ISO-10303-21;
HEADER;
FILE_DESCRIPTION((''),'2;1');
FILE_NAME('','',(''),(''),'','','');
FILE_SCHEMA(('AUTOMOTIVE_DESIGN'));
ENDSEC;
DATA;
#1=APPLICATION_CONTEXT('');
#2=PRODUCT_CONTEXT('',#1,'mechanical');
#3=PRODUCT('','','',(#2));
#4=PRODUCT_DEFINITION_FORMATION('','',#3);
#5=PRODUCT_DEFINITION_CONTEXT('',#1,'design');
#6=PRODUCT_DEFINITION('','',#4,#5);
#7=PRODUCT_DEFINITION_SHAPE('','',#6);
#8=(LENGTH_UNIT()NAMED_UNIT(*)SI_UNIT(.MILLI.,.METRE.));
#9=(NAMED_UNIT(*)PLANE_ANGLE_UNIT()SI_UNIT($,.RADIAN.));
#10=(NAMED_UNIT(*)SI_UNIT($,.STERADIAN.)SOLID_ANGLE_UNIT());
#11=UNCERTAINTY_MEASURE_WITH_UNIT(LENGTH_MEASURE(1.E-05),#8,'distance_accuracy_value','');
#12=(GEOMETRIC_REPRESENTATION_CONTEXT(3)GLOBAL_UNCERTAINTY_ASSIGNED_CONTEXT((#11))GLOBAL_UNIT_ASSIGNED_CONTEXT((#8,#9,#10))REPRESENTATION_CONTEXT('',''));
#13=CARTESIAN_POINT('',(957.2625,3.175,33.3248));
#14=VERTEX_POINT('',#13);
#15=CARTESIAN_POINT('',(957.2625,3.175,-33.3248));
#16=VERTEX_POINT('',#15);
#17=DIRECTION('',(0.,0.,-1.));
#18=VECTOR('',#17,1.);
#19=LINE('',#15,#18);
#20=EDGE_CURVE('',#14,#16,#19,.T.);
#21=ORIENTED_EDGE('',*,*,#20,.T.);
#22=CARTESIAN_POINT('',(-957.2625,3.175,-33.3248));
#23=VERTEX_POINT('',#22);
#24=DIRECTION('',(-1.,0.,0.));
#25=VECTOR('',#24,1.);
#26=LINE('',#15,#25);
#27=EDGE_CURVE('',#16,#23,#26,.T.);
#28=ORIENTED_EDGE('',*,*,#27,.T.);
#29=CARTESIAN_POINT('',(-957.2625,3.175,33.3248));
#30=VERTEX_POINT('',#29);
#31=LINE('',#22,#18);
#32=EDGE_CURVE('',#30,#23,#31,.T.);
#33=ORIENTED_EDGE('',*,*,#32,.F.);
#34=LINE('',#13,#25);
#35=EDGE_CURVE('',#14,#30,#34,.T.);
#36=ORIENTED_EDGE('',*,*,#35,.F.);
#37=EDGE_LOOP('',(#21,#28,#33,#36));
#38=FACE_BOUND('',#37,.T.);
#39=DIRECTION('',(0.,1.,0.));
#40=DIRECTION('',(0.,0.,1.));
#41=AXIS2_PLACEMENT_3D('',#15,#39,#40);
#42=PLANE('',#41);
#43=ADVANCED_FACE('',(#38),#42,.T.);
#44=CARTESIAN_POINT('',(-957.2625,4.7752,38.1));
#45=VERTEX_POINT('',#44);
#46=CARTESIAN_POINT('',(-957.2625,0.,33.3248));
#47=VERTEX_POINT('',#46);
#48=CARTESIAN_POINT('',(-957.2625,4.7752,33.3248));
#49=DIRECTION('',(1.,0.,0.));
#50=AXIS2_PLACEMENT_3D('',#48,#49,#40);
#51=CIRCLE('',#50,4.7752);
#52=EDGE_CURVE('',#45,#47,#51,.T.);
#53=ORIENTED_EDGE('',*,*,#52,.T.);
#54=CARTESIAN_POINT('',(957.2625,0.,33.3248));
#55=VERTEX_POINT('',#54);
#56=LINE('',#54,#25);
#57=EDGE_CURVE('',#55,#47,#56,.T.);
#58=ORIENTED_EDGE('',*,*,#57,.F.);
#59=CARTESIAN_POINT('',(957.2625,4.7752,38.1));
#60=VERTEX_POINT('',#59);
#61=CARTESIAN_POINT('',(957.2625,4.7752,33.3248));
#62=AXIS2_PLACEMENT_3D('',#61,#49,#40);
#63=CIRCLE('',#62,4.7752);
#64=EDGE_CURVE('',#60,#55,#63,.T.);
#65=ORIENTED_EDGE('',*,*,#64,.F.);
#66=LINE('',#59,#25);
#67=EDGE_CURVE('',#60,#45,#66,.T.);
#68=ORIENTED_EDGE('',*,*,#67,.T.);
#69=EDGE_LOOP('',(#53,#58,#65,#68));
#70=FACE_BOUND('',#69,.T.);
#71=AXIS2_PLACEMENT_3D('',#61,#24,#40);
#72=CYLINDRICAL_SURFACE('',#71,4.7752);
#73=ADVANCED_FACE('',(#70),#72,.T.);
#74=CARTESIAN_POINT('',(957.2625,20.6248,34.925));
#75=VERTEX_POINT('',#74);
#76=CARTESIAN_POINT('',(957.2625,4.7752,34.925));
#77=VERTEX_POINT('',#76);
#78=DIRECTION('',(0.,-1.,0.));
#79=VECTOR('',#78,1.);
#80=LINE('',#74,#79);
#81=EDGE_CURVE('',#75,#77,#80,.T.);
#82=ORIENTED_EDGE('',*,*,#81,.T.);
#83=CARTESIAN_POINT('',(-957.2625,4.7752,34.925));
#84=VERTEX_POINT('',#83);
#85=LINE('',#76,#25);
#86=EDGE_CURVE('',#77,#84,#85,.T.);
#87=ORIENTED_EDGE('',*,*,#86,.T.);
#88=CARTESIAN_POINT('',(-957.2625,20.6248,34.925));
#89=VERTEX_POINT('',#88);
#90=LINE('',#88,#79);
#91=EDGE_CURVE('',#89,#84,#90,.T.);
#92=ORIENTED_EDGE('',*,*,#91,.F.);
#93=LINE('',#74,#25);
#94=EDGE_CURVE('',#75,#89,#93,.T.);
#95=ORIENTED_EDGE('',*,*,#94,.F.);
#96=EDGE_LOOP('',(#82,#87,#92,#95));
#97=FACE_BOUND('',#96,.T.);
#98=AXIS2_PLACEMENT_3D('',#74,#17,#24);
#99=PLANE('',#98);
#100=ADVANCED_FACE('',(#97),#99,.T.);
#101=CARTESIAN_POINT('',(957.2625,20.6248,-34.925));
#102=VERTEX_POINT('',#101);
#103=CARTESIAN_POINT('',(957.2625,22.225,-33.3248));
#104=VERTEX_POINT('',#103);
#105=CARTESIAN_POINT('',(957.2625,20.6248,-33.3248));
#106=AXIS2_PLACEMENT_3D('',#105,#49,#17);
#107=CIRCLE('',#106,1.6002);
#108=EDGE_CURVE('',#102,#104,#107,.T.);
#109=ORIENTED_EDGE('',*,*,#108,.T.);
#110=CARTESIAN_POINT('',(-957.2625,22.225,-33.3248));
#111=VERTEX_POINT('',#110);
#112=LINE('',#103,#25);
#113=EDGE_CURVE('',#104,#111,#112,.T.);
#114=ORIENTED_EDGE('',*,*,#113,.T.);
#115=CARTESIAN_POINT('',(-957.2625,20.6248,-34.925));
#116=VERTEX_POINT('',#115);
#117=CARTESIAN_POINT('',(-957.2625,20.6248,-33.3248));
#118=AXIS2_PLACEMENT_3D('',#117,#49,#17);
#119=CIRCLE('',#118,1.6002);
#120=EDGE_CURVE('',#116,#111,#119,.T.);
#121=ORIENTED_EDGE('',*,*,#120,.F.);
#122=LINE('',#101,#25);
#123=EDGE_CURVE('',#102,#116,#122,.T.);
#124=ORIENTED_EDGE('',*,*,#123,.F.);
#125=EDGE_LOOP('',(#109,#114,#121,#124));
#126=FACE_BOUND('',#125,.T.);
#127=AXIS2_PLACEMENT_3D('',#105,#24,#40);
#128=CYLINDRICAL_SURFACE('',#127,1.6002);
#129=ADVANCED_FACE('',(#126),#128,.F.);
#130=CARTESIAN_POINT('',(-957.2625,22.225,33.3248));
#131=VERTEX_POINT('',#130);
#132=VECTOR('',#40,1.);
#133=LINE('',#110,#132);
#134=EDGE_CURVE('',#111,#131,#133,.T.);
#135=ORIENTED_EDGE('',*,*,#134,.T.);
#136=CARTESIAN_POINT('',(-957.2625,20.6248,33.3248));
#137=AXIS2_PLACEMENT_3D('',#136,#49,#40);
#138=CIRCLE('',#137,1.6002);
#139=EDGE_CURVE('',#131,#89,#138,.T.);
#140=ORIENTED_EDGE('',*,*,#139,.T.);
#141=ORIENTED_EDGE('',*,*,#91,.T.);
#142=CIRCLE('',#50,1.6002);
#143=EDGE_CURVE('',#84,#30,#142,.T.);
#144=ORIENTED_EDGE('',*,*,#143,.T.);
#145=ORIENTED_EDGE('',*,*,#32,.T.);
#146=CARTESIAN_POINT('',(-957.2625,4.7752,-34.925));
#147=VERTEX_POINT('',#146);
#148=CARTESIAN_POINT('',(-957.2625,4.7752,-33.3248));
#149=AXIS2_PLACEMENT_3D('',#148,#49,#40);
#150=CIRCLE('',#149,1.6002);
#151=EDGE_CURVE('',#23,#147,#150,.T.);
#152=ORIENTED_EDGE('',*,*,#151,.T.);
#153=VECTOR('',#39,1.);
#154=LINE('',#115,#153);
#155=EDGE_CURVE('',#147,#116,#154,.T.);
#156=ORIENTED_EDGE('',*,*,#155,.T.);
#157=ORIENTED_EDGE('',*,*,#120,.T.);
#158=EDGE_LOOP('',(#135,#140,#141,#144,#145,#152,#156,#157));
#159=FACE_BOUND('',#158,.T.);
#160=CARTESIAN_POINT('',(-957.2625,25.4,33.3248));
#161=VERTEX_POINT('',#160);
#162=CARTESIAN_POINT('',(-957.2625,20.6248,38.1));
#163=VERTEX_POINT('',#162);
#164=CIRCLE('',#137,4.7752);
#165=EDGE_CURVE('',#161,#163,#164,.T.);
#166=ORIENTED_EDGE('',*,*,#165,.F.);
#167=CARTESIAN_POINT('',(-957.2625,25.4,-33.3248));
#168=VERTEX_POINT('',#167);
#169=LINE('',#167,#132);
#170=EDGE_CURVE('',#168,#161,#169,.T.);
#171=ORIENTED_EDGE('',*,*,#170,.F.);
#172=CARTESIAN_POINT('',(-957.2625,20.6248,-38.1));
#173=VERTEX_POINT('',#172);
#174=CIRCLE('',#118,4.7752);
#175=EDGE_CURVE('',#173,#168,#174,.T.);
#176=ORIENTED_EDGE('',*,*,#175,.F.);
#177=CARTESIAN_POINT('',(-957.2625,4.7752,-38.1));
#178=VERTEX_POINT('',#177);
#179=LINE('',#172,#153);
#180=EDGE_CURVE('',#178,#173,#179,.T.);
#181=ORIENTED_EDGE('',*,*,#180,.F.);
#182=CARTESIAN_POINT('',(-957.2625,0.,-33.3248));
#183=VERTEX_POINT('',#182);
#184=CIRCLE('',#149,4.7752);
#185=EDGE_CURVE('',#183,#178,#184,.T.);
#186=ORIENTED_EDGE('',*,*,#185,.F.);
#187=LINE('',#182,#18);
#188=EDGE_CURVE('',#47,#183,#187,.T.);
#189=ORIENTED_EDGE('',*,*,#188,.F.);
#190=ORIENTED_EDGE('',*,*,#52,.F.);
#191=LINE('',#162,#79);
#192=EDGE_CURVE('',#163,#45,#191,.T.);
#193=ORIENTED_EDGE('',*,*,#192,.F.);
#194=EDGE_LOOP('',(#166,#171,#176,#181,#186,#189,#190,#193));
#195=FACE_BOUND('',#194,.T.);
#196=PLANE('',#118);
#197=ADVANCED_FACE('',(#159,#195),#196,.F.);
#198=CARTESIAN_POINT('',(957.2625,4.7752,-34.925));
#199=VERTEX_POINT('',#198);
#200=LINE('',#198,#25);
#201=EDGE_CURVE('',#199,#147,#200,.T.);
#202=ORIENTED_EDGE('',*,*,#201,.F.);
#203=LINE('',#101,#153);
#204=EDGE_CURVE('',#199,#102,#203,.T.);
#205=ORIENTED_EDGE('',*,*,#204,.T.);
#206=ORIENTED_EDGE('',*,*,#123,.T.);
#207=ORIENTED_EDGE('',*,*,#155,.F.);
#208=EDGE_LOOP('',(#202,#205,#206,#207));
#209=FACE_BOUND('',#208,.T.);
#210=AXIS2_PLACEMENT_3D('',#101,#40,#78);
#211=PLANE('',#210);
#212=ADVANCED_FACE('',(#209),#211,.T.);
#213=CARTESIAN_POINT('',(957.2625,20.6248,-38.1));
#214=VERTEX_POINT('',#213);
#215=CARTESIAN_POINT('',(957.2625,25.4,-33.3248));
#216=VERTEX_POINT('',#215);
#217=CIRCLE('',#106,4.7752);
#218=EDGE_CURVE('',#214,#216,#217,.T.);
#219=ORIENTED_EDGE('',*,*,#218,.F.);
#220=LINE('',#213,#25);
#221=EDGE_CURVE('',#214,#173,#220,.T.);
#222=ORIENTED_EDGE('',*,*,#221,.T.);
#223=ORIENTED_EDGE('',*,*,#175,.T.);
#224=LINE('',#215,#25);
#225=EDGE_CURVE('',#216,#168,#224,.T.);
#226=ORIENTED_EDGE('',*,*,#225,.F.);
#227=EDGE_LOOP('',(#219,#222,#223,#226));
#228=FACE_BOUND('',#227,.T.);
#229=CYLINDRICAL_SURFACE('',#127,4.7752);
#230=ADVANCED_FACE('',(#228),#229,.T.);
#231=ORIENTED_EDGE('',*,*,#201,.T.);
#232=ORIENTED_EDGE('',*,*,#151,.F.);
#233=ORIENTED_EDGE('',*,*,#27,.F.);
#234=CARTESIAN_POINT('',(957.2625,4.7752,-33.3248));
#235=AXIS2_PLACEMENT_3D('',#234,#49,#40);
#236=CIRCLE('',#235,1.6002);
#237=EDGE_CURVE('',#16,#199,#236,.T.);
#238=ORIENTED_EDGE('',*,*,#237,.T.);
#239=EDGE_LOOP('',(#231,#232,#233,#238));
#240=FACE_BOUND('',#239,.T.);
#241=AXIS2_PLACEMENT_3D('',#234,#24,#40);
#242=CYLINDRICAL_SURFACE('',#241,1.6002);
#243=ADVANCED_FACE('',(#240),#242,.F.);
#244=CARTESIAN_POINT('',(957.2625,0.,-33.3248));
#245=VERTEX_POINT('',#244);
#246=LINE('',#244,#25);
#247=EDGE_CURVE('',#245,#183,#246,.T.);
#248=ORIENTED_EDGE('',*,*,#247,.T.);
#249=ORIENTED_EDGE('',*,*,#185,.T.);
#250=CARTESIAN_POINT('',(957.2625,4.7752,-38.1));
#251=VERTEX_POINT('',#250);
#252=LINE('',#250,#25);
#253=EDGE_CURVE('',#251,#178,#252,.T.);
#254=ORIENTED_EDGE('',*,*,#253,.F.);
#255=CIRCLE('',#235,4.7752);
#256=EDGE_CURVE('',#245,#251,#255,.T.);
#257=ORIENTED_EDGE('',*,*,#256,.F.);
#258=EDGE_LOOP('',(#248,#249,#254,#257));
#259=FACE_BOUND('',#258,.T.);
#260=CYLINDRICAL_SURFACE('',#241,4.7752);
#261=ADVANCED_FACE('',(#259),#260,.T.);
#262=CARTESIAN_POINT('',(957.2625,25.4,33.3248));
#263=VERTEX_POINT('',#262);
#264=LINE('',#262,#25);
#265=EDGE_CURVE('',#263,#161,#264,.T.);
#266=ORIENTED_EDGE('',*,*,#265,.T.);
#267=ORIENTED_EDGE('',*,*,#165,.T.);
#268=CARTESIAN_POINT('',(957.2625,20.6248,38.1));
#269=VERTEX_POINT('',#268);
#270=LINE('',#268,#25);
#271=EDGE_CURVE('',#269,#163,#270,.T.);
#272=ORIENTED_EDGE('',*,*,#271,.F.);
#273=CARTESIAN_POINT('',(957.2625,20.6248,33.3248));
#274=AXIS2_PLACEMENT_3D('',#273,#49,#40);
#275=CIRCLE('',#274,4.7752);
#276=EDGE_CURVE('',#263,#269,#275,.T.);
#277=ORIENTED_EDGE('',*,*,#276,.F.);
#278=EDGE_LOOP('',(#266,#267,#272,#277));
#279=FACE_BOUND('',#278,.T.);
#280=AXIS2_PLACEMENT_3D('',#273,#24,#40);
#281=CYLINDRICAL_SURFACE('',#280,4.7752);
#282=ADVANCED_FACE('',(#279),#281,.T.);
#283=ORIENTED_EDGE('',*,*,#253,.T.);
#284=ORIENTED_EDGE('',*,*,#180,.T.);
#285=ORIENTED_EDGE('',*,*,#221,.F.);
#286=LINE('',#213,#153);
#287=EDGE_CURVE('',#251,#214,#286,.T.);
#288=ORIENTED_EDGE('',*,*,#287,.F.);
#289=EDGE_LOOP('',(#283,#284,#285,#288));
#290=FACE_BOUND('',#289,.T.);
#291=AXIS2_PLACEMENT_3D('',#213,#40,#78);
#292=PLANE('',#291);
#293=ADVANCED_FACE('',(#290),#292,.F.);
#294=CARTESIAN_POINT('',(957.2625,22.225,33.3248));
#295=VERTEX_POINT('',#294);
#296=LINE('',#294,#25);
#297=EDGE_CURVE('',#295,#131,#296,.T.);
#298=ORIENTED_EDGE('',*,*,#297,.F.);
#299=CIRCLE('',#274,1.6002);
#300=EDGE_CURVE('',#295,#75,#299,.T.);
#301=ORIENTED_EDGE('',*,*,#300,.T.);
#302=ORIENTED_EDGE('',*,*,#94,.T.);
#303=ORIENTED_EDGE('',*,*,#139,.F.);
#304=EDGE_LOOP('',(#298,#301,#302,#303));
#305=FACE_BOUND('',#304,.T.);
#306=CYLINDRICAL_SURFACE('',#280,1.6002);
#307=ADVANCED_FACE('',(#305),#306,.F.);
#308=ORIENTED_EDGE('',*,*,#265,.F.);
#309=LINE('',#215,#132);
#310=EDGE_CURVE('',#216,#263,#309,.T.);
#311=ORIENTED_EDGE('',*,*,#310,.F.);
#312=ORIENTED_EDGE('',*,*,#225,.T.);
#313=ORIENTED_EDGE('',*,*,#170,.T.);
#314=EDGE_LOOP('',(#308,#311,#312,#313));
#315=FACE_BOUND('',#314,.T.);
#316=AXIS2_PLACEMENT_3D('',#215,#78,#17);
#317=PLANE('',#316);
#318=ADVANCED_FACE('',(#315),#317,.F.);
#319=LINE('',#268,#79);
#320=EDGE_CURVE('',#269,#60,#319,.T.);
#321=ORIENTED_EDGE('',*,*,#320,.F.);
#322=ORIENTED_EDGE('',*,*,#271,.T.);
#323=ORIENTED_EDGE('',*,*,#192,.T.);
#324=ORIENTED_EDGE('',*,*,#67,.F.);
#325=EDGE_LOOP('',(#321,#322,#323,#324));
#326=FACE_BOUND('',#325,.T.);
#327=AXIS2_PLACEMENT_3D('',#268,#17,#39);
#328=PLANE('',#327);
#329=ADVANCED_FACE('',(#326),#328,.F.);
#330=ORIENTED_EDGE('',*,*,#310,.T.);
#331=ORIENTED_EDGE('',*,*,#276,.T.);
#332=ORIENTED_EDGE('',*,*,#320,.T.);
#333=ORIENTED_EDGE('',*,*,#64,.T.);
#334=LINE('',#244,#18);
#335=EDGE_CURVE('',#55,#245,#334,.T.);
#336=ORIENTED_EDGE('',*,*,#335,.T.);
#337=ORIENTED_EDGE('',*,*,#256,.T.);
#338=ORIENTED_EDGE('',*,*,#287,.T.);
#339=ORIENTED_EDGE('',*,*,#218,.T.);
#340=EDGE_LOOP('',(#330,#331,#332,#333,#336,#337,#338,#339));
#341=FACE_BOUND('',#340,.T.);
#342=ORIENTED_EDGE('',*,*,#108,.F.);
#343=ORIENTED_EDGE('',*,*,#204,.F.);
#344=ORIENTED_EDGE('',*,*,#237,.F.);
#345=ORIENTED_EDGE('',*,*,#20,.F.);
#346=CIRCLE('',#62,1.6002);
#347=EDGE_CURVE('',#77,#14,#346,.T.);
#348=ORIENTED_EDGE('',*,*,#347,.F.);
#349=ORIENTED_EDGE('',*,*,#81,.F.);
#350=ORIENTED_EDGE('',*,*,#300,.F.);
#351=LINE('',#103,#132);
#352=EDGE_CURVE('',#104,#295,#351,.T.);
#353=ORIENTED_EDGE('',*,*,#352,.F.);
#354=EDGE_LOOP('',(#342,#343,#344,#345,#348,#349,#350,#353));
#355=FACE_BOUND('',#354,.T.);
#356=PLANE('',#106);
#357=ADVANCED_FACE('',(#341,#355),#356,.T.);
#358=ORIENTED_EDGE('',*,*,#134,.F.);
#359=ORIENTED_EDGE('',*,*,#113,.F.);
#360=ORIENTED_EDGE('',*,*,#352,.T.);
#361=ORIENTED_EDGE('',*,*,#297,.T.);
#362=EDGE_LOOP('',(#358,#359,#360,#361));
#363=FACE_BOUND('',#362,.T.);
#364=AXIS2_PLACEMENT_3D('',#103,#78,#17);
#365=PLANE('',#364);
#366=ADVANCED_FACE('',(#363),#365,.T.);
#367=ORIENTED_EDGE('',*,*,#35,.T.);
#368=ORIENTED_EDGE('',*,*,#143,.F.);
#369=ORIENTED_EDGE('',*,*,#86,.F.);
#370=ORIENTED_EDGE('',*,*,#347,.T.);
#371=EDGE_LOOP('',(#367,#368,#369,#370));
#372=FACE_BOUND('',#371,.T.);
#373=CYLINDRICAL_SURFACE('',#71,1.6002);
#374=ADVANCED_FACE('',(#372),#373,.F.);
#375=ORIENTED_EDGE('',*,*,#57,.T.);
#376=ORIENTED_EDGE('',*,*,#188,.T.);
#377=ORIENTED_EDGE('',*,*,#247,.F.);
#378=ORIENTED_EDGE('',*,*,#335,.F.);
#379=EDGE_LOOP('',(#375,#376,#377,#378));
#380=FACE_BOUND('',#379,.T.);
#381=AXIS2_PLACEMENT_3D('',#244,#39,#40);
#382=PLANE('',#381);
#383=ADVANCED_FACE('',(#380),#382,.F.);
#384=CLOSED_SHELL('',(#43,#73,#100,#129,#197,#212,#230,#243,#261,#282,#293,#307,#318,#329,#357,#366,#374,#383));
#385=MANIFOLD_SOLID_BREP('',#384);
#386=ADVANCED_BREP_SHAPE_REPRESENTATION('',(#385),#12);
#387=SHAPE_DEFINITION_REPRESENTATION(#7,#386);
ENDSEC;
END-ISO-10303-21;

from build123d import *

# Parameters (mm, degrees)
BOSS_EXTRUDE1_DEPTH = 957.2625


with BuildPart() as part:
    # Sketch1 → Boss-Extrude1 (new body, symmetric)
    with BuildSketch(Plane(origin=(0, 0, 0), x_dir=(0, 0, -1), z_dir=(1, 0, 0))):
        with BuildLine():
            Line((33.3248, 25.4), (-33.3248, 25.4))
            ThreePointArc((-33.3248, 25.4), (-36.701376302, 24.001376302), (-38.1, 20.6248))
            Line((-38.1, 20.6248), (-38.1, 4.7752))
            ThreePointArc((-38.1, 4.7752), (-36.701376302, 1.398623698), (-33.3248, 0))
            Line((-33.3248, 0), (33.3248, 0))
            ThreePointArc((33.3248, 0), (36.701376302, 1.398623698), (38.1, 4.7752))
            Line((38.1, 4.7752), (38.1, 20.6248))
            ThreePointArc((38.1, 20.6248), (36.701376302, 24.001376302), (33.3248, 25.4))
        make_face()
        with BuildLine():
            Line((33.3248, 22.225), (-33.3248, 22.225))
            ThreePointArc((-33.3248, 22.225), (-34.456312271, 21.756312271), (-34.925, 20.6248))
            Line((-34.925, 20.6248), (-34.925, 4.7752))
            ThreePointArc((-34.925, 4.7752), (-34.456312271, 3.643687729), (-33.3248, 3.175))
            Line((-33.3248, 3.175), (33.3248, 3.175))
            ThreePointArc((33.3248, 3.175), (34.456312271, 3.643687729), (34.925, 4.7752))
            Line((34.925, 4.7752), (34.925, 20.6248))
            ThreePointArc((34.925, 20.6248), (34.456312271, 21.756312271), (33.3248, 22.225))
        make_face(mode=Mode.SUBTRACT)
    extrude(amount=BOSS_EXTRUDE1_DEPTH, both=True)


solid = part.part
